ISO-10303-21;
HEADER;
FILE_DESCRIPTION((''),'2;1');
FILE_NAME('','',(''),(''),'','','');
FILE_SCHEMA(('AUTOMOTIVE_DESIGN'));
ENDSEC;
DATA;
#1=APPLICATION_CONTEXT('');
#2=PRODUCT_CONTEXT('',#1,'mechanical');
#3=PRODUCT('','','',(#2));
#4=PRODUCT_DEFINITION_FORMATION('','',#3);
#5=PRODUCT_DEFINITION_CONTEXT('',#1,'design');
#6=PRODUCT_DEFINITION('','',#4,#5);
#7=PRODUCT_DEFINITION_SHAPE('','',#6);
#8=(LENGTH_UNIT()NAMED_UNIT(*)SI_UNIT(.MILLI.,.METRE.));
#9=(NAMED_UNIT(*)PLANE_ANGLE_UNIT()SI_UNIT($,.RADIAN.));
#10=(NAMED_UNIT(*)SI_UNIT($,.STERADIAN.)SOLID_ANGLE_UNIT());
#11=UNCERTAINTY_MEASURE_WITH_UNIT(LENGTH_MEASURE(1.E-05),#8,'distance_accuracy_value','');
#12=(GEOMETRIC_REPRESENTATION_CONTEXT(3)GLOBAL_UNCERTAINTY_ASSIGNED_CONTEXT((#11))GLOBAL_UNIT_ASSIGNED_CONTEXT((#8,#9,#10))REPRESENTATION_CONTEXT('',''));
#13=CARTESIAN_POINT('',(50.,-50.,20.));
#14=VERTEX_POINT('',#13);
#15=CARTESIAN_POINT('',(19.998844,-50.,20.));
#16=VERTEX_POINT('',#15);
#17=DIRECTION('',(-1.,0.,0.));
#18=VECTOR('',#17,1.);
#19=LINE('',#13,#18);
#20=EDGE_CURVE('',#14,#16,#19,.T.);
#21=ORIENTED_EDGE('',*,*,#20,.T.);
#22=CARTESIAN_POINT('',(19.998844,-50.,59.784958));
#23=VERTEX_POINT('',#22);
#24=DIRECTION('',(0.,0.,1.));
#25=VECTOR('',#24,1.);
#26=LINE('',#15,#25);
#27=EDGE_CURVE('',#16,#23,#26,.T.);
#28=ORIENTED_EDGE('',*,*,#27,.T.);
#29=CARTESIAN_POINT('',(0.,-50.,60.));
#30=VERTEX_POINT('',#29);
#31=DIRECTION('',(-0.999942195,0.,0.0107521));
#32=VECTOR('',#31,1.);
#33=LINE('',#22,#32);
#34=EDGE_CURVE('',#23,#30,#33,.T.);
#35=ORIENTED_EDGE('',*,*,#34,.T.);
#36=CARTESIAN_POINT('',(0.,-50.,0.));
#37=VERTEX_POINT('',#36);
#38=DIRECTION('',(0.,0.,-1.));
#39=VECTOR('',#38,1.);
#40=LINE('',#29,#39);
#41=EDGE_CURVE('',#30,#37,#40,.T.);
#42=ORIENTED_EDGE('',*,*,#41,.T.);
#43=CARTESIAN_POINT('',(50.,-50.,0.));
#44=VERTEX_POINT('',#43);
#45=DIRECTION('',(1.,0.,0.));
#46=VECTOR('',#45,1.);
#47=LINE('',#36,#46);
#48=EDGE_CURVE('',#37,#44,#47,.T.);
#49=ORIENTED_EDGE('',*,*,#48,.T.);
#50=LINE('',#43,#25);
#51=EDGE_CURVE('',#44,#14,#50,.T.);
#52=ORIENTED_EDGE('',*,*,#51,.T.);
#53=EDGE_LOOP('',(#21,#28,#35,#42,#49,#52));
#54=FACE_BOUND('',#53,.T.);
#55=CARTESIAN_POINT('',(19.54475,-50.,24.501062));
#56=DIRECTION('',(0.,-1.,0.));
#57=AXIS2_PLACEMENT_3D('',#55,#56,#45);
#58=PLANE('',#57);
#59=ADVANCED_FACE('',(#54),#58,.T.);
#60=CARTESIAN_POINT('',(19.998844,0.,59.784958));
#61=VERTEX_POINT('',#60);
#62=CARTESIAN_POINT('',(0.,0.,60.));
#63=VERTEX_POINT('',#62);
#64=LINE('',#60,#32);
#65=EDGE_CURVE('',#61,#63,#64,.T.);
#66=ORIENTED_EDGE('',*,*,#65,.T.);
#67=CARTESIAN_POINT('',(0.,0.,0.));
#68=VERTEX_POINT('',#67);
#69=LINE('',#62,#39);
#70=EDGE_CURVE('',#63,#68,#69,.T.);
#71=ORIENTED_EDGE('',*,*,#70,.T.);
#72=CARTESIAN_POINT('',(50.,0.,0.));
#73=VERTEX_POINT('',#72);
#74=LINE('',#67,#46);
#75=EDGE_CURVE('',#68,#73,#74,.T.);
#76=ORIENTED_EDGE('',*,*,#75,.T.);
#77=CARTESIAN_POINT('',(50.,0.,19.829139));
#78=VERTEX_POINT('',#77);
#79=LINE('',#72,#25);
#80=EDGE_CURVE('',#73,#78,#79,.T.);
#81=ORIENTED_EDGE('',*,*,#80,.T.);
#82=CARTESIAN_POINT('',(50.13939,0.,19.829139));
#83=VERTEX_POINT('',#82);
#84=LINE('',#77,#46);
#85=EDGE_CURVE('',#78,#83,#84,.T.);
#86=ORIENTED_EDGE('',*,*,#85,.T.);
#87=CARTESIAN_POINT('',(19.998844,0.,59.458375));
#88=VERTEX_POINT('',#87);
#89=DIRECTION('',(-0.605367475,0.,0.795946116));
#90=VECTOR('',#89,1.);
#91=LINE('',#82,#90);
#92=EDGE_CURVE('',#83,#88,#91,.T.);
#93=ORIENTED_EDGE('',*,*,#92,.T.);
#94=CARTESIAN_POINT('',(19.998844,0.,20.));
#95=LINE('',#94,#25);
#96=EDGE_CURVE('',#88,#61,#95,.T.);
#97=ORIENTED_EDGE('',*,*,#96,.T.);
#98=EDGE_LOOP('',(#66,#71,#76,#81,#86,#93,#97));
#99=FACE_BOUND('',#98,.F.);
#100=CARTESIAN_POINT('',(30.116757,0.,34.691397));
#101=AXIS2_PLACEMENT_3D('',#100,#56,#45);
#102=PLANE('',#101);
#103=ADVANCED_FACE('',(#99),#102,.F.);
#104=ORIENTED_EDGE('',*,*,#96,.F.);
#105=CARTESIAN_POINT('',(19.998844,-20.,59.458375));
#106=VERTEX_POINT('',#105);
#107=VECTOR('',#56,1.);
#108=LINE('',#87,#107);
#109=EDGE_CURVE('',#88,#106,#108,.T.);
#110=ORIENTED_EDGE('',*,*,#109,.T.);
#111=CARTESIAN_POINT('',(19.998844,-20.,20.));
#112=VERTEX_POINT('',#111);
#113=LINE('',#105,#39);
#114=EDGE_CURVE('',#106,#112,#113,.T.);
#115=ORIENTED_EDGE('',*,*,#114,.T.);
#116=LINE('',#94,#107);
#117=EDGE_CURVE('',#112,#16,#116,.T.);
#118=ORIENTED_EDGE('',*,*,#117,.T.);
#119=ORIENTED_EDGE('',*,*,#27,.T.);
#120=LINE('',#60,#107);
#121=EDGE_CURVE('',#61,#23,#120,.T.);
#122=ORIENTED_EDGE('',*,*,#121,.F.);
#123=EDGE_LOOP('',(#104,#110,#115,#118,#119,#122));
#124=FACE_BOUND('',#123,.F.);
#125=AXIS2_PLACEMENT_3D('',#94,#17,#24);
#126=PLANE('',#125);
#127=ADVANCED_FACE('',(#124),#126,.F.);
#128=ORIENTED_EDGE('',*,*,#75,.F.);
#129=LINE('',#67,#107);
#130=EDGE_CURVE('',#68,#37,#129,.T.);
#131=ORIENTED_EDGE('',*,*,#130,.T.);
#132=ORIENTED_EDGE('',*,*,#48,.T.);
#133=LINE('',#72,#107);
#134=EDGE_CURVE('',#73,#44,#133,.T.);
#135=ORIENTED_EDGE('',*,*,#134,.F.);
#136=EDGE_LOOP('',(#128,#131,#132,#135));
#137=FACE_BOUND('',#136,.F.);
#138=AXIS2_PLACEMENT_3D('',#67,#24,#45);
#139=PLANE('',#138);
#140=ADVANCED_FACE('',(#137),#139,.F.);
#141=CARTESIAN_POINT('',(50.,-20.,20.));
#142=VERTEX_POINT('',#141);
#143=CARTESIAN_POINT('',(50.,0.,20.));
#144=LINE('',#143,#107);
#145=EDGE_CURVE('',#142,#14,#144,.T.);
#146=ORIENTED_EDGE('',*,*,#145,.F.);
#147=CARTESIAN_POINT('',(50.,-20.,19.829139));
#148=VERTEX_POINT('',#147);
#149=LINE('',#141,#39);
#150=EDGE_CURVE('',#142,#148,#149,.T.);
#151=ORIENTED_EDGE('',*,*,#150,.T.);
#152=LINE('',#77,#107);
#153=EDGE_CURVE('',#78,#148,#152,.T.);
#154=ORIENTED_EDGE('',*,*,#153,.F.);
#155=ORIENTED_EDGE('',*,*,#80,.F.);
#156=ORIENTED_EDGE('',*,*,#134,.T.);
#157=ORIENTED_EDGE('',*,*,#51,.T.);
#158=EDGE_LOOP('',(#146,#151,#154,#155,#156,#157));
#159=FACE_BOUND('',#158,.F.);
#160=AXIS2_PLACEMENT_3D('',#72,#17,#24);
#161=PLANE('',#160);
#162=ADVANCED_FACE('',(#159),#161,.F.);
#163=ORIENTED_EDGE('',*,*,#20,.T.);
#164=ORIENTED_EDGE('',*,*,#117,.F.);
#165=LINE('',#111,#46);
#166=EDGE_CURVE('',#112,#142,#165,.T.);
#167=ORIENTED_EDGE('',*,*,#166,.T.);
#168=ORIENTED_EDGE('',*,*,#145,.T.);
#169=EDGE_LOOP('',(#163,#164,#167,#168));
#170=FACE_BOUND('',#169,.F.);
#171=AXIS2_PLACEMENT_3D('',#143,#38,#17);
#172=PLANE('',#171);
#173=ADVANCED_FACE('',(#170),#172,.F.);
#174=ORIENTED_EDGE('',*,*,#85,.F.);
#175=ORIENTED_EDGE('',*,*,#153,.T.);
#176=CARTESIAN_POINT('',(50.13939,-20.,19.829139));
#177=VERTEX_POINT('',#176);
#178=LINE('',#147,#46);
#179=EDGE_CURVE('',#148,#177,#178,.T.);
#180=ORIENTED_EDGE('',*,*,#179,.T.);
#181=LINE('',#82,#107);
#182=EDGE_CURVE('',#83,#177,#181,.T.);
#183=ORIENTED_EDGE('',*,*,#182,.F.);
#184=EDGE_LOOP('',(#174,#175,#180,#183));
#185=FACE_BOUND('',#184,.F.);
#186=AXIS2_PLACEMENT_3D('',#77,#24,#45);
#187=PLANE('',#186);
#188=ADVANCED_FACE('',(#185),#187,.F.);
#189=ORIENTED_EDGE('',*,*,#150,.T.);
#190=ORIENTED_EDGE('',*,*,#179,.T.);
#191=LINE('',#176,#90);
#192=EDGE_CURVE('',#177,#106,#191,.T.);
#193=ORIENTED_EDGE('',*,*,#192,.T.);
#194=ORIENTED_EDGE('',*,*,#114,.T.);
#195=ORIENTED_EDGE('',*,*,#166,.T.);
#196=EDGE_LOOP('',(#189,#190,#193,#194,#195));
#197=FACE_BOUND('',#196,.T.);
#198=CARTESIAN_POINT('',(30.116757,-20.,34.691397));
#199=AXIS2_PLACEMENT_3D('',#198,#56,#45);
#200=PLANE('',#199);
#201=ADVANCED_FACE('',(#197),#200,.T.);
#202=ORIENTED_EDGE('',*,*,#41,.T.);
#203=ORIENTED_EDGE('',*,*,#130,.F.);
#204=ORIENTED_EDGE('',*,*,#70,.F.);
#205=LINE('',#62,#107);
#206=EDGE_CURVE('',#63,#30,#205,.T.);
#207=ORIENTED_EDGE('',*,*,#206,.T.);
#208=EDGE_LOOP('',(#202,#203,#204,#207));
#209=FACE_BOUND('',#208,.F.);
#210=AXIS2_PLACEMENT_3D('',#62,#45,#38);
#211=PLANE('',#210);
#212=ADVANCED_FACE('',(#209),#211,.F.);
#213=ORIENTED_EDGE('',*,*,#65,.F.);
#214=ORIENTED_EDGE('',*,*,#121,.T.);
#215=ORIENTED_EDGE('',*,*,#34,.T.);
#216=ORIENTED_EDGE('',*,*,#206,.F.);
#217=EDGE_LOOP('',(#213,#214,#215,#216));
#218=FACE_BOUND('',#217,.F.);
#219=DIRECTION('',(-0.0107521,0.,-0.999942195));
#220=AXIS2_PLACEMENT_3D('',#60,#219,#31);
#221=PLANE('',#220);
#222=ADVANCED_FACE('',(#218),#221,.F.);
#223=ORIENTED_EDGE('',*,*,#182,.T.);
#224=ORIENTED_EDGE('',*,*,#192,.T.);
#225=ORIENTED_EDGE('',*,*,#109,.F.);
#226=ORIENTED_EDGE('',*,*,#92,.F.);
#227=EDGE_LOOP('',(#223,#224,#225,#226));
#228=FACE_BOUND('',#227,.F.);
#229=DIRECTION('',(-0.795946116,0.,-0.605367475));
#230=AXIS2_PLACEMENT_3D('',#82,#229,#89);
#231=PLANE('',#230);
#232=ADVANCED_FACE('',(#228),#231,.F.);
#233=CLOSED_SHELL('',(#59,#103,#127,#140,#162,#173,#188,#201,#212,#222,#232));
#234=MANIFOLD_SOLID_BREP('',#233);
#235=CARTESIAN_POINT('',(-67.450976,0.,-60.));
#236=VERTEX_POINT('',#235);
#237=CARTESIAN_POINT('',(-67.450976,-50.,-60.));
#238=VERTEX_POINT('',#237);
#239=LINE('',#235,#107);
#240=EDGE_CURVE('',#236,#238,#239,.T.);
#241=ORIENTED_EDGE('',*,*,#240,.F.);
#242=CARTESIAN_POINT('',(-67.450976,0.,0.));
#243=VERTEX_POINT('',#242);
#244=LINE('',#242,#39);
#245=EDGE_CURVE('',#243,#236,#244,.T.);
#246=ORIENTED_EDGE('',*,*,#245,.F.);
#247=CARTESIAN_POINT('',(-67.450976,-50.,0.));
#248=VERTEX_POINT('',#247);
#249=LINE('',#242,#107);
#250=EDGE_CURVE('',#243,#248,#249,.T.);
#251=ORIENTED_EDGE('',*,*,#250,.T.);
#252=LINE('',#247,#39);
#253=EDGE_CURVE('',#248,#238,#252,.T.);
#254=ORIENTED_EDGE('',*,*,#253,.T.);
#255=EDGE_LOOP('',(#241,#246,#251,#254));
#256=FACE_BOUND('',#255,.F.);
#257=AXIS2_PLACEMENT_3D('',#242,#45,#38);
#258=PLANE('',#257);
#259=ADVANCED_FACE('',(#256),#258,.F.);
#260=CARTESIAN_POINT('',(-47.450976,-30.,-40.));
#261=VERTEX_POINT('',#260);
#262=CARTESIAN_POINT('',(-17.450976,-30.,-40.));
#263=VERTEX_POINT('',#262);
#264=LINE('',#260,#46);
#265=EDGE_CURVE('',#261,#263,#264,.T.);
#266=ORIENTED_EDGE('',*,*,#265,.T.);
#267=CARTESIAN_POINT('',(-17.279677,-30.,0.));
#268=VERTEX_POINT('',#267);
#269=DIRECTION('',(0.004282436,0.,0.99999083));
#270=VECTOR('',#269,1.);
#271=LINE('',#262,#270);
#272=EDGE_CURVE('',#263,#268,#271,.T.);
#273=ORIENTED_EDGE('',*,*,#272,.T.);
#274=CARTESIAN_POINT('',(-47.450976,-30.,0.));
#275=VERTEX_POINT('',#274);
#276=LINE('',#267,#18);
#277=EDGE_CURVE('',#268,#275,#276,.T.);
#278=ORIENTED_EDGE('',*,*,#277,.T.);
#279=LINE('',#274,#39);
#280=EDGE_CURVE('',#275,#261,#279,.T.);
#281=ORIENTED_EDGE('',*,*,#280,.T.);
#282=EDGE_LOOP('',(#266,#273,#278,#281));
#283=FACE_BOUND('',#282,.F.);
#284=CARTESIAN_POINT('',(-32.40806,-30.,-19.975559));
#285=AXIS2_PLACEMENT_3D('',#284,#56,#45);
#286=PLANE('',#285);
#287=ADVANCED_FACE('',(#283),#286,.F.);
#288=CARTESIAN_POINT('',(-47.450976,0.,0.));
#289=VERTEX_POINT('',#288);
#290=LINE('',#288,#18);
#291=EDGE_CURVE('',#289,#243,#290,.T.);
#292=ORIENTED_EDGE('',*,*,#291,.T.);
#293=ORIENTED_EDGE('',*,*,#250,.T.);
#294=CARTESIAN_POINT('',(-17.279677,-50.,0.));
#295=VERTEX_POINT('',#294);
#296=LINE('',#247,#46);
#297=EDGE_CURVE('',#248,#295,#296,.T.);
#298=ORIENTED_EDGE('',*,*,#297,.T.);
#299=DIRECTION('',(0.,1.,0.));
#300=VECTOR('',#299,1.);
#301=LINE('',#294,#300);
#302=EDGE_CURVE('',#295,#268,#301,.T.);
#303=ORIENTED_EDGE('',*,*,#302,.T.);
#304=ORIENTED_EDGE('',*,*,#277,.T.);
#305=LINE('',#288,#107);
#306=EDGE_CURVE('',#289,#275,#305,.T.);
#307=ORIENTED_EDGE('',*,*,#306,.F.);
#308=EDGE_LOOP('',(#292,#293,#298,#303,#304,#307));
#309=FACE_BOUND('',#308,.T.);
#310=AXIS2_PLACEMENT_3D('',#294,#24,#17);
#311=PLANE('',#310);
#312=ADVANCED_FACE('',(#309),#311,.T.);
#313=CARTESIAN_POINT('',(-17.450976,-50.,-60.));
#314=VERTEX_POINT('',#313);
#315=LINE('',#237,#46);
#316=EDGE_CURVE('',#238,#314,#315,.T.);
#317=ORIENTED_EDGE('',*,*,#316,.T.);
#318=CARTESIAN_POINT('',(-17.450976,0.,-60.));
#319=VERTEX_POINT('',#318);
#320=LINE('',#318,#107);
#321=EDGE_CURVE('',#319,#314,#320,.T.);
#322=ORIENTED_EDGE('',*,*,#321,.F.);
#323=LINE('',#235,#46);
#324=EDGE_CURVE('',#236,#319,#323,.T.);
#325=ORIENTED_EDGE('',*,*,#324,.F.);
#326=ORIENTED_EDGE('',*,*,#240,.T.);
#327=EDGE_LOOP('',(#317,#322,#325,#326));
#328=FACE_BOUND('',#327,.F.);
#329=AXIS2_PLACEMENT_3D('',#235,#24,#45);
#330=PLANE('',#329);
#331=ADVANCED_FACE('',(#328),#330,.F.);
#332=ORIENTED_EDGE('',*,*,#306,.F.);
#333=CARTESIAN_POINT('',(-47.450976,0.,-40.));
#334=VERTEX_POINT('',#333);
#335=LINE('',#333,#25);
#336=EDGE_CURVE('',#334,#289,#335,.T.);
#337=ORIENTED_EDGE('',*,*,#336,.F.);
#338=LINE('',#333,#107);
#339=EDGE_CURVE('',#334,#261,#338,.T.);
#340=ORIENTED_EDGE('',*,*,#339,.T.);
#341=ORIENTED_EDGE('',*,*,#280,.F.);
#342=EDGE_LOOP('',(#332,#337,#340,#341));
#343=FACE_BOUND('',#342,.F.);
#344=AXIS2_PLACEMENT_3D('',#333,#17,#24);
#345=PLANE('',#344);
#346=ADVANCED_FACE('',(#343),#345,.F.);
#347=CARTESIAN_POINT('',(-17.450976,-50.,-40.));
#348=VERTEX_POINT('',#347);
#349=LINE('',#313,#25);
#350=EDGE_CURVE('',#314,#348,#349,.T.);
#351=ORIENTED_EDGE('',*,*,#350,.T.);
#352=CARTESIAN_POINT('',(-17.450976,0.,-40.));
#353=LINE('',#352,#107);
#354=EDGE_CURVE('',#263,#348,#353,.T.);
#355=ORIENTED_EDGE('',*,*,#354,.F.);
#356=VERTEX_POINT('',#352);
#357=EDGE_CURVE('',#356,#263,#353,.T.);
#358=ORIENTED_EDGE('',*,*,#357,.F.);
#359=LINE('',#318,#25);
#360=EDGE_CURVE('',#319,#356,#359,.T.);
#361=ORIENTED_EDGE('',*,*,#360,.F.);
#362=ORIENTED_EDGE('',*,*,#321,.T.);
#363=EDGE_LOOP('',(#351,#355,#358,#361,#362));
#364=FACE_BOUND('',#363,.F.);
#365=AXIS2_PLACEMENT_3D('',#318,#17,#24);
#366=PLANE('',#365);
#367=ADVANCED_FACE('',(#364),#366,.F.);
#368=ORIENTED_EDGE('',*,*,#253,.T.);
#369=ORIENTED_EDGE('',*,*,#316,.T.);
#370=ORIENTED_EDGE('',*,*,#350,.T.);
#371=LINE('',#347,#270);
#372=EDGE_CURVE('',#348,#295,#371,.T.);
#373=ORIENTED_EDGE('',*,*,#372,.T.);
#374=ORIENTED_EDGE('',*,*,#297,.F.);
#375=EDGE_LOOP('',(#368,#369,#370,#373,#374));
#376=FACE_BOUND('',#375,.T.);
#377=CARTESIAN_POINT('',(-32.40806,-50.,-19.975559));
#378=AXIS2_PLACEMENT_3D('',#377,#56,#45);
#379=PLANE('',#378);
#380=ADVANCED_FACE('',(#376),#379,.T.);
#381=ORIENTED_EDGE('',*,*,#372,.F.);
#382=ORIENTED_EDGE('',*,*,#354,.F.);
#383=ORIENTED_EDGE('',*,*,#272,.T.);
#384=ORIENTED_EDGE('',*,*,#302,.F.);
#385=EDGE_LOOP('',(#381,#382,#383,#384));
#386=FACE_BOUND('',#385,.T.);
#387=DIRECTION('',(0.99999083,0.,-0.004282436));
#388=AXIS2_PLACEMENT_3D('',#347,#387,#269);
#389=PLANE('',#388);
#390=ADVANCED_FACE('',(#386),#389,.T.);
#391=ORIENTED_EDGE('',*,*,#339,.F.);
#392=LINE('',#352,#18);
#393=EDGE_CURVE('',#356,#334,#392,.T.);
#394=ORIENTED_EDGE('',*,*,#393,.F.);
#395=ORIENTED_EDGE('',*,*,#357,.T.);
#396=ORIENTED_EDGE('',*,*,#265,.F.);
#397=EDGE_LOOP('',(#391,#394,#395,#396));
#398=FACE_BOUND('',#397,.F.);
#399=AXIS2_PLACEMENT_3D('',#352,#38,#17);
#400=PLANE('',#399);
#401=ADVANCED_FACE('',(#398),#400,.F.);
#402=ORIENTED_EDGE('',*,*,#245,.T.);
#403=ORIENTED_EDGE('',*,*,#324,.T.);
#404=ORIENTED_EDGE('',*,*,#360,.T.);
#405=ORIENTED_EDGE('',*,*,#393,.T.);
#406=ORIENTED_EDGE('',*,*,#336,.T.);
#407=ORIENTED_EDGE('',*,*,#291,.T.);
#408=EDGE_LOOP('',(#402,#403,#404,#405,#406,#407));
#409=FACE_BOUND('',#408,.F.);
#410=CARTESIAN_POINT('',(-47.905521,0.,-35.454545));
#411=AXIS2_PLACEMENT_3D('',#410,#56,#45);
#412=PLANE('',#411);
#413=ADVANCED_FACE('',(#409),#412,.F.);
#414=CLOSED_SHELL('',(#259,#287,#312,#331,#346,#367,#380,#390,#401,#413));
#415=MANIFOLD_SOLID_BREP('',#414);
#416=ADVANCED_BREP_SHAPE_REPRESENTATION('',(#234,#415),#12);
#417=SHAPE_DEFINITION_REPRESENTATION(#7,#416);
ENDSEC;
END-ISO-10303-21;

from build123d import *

# Parameters (mm, degrees)
F1_DEPTH = 50
F3_DEPTH = 20
F5_DEPTH = 50
F7_DEPTH = 20


with BuildPart() as f1:
    # F0 (on Front) → F1 (new body)
    with BuildSketch(Plane.XZ):
        Polygon((0, 60), (0, 0), (50, 0), (50, 20), (19.998844, 20), (19.998844, 59.784958), align=None)
    extrude(amount=F1_DEPTH)

    # F2 (on face) → F3 (join)
    with BuildSketch(Plane.XZ):
        Polygon((50.13939, 19.829139), (19.998844, 59.458375), (19.998844, 20), (50, 20), (50, 19.829139), align=None)
    extrude(amount=F3_DEPTH)


with BuildPart() as f5:
    # F4 (on Front) → F5 (new body)
    with BuildSketch(Plane.XZ):
        Polygon((-47.450976, 0), (-67.450976, 0), (-67.450976, -60), (-17.450976, -60), (-17.450976, -40), (-47.450976, -40), align=None)
    extrude(amount=F5_DEPTH)

    # F6 (on face) → F7 (join)
    with BuildSketch(Plane.XZ.offset(50)):
        Polygon((-17.279677, 0), (-47.450976, 0), (-47.450976, -40), (-17.450976, -40), align=None)
    extrude(amount=-F7_DEPTH)


solid = Compound([f1.part, f5.part])
